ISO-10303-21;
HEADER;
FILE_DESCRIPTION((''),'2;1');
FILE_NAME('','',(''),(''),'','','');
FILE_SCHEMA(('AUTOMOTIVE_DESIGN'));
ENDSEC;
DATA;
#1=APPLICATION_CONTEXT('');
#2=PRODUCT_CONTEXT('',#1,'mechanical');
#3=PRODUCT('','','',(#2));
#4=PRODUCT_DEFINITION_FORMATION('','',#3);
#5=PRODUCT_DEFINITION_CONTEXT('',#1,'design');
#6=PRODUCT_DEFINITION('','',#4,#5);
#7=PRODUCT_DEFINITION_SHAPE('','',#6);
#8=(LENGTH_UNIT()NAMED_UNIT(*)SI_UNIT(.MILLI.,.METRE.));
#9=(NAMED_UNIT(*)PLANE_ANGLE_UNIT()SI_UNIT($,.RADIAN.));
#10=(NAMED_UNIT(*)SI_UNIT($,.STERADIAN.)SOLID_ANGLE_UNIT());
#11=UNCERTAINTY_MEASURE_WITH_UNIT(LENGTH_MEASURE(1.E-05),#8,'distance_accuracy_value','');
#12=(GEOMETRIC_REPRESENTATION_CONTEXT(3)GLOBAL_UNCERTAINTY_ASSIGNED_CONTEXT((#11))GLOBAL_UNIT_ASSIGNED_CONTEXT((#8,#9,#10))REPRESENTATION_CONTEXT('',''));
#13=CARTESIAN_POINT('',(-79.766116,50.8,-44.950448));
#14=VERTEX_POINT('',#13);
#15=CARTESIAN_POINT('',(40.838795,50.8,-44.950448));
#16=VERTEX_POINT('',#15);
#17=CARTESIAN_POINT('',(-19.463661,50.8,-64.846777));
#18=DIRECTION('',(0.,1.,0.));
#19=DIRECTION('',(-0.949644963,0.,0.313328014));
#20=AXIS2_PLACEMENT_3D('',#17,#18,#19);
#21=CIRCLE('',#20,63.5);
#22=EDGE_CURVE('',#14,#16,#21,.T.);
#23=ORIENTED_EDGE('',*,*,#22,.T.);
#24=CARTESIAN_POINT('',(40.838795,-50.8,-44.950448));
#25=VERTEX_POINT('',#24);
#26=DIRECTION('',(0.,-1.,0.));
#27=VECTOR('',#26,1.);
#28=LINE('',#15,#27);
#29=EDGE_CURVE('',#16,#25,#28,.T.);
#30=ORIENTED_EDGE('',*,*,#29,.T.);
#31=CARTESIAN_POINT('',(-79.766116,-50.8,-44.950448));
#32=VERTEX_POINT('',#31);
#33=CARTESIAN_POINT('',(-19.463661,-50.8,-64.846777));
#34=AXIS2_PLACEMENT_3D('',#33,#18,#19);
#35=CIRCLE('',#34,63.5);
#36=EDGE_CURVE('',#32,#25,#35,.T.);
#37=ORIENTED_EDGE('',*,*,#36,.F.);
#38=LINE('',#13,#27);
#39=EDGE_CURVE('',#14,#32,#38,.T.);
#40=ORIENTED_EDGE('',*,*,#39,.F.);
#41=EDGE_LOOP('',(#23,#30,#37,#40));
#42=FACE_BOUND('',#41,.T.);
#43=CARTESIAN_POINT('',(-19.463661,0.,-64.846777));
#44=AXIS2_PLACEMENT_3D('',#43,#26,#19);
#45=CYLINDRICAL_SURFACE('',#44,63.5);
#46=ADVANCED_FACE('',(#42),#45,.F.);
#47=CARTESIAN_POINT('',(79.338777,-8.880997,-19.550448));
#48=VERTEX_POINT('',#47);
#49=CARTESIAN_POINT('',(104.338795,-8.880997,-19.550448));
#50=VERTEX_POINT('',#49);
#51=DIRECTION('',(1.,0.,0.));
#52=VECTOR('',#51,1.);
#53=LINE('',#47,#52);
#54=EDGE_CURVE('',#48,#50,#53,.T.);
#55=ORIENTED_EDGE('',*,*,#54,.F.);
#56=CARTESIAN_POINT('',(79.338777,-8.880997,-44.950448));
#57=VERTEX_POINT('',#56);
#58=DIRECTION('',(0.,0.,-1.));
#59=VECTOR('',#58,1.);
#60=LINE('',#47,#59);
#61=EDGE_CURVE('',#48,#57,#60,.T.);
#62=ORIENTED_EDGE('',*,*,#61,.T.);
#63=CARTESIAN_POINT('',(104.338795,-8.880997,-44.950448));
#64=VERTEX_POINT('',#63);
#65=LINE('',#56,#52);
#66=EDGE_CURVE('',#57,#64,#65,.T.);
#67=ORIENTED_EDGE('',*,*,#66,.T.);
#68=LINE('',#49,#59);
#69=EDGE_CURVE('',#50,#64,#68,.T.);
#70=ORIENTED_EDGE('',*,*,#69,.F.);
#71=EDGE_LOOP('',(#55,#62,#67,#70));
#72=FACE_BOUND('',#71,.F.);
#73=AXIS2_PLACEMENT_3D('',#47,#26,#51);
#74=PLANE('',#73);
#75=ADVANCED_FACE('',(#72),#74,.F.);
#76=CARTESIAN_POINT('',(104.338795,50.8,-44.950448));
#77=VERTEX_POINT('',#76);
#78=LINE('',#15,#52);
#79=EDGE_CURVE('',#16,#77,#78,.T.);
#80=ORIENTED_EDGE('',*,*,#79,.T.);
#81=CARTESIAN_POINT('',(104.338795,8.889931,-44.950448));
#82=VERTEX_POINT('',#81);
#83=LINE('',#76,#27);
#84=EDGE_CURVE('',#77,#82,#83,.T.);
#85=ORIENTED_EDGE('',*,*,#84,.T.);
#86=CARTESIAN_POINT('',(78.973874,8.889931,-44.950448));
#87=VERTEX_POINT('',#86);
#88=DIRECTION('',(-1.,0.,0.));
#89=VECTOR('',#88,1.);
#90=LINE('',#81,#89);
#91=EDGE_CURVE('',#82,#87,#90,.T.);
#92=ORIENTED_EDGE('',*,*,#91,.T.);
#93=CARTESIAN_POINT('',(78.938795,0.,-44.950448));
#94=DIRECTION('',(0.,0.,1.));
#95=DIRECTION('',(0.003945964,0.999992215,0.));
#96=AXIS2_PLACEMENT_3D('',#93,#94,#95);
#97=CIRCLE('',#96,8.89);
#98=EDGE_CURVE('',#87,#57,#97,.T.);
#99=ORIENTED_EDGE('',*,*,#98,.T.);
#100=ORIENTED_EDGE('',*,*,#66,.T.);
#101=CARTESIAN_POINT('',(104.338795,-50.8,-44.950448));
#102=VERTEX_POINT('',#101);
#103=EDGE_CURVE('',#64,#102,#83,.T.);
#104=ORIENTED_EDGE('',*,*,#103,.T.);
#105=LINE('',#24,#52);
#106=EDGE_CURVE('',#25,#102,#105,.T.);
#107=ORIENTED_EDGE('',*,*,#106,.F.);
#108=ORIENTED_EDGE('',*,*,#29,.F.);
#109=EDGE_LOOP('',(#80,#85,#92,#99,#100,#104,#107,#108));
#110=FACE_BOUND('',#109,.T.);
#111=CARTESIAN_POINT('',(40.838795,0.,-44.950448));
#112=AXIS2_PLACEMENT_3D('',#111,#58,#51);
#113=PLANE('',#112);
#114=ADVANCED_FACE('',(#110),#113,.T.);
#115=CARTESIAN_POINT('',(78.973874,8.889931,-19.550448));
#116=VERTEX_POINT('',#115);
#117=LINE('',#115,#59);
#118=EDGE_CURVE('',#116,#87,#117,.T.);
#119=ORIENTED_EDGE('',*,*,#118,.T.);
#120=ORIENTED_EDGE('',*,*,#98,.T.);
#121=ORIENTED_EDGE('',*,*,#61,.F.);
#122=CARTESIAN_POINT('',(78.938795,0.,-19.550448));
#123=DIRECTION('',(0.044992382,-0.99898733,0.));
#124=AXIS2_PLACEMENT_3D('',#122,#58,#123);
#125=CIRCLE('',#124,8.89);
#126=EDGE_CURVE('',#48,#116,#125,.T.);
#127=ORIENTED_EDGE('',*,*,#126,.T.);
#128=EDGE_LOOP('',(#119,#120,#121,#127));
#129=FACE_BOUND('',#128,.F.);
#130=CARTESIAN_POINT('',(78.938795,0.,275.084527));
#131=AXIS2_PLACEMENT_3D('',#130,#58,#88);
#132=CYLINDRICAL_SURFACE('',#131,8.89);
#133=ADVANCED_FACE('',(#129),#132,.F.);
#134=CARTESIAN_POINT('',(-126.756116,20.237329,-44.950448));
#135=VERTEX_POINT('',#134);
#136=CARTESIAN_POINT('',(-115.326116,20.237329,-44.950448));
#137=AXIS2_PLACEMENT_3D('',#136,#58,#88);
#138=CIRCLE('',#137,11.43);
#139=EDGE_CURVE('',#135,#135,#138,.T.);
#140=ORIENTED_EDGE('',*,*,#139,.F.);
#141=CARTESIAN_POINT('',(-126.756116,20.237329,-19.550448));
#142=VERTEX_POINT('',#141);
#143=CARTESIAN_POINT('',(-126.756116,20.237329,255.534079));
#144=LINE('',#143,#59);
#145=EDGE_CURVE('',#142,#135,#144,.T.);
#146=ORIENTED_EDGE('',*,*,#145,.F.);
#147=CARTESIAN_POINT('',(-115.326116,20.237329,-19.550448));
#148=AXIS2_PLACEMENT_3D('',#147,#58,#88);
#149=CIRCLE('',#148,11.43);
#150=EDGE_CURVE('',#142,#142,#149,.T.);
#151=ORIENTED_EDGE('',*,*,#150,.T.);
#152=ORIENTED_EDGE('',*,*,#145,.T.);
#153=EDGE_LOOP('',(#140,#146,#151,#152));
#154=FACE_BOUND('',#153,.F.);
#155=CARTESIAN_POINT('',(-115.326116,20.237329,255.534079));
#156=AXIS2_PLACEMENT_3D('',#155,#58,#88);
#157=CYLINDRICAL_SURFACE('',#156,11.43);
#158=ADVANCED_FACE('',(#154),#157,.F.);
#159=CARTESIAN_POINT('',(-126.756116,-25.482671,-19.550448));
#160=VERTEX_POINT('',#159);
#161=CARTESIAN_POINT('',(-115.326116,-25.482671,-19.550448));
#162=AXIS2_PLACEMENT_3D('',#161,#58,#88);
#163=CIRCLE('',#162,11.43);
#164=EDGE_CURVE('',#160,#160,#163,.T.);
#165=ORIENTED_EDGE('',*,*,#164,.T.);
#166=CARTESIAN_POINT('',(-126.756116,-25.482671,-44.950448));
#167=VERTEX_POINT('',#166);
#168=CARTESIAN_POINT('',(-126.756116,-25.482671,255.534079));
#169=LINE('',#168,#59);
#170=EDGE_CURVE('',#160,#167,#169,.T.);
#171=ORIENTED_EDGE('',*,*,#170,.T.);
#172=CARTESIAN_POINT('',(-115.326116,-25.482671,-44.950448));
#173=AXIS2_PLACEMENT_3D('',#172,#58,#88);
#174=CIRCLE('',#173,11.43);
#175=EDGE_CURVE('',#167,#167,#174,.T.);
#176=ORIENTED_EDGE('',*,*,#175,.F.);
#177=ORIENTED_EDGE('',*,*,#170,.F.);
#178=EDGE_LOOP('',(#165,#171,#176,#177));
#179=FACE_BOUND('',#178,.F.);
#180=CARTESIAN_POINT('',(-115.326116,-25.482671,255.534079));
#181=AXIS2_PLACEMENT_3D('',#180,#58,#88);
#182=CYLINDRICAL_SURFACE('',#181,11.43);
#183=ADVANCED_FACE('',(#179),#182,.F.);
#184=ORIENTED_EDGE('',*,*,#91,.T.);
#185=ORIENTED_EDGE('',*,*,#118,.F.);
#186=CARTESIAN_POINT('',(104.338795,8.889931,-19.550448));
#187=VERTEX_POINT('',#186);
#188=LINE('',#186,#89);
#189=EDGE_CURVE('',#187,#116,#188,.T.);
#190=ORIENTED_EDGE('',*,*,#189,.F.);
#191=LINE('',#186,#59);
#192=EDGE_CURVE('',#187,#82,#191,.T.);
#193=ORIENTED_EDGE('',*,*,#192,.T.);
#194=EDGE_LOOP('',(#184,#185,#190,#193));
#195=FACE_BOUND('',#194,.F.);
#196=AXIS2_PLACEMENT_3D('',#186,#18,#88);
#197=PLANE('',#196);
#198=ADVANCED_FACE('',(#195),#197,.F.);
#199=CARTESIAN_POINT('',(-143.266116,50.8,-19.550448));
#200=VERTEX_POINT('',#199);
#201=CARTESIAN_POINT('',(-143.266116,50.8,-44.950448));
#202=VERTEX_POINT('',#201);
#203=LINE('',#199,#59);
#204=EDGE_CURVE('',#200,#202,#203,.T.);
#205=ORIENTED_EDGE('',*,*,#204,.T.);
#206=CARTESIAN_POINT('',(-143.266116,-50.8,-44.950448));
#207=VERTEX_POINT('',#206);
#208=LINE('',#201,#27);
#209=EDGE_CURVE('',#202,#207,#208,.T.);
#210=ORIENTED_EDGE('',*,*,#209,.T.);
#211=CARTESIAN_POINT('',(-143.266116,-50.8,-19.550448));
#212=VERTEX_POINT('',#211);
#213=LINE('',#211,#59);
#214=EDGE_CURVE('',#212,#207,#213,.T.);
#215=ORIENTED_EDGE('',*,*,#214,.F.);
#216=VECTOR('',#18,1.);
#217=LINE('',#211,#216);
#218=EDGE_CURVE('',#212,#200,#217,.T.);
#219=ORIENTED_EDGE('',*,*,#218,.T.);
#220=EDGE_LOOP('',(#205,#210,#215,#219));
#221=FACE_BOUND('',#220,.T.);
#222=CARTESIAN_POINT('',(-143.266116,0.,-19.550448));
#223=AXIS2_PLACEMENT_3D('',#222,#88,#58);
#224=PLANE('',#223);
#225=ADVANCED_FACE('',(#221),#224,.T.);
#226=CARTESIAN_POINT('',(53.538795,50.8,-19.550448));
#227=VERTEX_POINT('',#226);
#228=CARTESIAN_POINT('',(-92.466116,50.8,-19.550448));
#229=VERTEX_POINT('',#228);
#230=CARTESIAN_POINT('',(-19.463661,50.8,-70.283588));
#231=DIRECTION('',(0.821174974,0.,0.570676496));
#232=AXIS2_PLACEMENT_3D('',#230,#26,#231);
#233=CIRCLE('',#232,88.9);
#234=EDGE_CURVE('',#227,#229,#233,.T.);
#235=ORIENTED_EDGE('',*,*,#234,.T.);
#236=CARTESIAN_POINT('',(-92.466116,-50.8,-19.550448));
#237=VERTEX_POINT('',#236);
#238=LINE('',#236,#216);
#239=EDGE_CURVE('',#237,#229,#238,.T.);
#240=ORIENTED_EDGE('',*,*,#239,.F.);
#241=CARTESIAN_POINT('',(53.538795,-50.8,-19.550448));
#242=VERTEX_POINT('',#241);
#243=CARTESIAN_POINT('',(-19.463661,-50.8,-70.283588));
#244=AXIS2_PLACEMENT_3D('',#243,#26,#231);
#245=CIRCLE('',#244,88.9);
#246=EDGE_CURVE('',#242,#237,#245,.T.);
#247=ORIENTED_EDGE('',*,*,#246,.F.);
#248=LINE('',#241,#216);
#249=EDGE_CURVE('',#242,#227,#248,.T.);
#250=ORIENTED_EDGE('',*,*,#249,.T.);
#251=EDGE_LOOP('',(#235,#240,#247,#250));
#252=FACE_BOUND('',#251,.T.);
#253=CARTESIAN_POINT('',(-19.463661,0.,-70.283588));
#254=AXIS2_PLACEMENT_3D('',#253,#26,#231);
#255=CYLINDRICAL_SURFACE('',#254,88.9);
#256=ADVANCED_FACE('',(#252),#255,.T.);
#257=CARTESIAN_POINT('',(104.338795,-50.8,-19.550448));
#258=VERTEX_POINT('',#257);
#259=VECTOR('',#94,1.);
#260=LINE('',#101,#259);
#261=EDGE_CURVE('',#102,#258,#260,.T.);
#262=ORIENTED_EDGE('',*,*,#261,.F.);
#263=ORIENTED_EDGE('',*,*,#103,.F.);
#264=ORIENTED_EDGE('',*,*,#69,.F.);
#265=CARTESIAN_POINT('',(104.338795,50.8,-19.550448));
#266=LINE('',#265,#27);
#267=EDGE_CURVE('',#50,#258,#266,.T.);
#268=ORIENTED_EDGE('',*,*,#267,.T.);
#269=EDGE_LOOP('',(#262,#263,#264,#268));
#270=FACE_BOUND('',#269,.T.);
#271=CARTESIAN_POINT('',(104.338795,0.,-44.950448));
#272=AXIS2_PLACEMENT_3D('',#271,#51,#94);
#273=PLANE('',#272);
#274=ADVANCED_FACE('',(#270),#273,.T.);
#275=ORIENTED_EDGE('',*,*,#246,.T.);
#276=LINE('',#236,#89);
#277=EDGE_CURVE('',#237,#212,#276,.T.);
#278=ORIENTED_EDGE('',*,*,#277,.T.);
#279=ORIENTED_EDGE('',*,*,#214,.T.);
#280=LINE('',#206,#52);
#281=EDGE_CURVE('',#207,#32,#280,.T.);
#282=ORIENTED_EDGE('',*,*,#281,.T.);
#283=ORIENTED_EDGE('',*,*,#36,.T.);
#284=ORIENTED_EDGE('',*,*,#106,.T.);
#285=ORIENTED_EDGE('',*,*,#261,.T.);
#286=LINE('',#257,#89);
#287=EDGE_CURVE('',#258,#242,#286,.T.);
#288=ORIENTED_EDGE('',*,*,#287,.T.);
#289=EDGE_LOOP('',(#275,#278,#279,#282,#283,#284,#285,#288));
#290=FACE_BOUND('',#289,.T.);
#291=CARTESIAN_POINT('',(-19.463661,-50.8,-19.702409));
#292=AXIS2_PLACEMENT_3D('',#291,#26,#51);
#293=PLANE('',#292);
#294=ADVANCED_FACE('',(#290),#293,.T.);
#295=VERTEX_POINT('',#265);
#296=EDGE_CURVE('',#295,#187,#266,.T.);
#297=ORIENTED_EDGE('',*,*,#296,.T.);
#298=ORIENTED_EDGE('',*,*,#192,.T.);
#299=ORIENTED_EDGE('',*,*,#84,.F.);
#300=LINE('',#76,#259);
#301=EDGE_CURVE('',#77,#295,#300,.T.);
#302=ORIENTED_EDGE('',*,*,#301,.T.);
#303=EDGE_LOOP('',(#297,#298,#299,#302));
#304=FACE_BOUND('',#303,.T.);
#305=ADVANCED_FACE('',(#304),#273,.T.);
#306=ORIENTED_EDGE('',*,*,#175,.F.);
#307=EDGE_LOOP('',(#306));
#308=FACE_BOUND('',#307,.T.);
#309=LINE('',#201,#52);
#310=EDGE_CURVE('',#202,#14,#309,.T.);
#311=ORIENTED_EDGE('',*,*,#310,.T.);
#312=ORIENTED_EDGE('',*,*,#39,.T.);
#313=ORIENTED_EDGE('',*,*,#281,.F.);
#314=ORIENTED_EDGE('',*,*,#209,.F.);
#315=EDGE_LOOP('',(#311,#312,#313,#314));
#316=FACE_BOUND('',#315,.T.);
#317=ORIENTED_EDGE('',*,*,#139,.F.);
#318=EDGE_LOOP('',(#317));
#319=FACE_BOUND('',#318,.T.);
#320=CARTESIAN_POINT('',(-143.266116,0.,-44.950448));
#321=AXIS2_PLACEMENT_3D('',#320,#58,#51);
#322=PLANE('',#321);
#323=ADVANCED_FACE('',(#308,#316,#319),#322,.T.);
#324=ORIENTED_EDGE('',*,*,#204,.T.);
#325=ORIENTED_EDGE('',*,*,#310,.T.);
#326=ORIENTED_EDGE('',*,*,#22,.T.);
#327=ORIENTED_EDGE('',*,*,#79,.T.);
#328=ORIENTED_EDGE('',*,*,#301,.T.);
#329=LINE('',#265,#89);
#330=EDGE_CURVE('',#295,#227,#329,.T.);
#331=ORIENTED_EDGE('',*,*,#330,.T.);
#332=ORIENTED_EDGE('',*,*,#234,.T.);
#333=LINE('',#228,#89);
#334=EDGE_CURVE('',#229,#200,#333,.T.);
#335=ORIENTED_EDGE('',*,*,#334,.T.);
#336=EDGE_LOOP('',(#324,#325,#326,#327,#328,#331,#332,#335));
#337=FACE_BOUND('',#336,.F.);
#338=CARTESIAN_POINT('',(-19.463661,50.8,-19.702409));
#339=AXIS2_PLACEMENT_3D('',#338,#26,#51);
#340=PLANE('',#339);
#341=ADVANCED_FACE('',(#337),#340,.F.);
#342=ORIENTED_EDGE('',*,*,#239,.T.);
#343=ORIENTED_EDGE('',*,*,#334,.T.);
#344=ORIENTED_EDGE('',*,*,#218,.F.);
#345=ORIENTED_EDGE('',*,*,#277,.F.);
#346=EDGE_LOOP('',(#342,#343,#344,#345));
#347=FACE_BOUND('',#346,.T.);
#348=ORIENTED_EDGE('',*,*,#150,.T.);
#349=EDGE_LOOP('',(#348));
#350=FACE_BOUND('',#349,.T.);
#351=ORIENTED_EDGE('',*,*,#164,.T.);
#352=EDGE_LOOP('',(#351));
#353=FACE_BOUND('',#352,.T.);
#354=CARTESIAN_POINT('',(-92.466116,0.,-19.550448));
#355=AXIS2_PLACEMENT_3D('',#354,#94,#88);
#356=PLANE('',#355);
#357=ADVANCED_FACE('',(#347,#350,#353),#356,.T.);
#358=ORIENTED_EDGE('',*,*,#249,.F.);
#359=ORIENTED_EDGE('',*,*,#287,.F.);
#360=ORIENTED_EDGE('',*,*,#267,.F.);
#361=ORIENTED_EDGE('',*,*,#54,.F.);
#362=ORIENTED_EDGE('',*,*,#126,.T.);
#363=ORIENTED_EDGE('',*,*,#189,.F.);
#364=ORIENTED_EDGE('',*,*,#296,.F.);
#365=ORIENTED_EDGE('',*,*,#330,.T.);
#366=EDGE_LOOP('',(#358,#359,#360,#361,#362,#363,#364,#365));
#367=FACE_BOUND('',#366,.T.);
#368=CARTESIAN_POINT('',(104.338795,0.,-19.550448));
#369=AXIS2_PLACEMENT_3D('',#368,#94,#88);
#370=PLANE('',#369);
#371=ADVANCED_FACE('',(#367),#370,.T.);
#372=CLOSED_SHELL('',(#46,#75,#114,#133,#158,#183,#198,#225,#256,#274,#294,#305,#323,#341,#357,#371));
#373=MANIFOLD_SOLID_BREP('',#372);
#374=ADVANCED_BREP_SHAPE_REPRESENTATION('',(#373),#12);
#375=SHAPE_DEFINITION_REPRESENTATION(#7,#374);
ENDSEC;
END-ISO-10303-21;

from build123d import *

# Parameters (mm, degrees)
F1_DEPTH = 50.8
F3_D     = 22.86
F5_D     = 17.78
F7_DEPTH = 25.4


with BuildPart() as f1:
    # F0 (on Front) → F1 (new body, symmetric)
    with BuildSketch(Plane.XZ):
        with BuildLine():
            Line((-143.2661156607, -19.5504479766), (-143.2661156607, -44.9504479766))
            Line((-143.2661156607, -44.9504479766), (-79.7661156607, -44.9504479766))
            ThreePointArc((-79.7661156607, -44.9504479766), (-19.4636605074, -1.3467768462), (40.8387946459, -44.9504479766))
            Line((40.8387946459, -44.9504479766), (104.3387946459, -44.9504479766))
            Line((104.3387946459, -44.9504479766), (104.3387946459, -19.5504479766))
            Line((104.3387946459, -19.5504479766), (53.5387946459, -19.5504479766))
            ThreePointArc((53.5387946459, -19.5504479766), (-19.4636605074, 18.6164115569), (-92.4661156607, -19.5504479766))
            Line((-92.4661156607, -19.5504479766), (-143.2661156607, -19.5504479766))
        make_face()
    extrude(amount=F1_DEPTH, both=True)

    # F3 (through all)
    with Locations(Plane.XY.offset(-19.5504479766)):
        with Locations((-115.3261156607, 20.2373286647), (-115.3261156607, -25.4826713353)):
            Hole(F3_D / 2)

    # F5 (through all)
    with Locations(Plane.XY):
        with Locations((78.9387946459, 0)):
            Hole(F5_D / 2)

    # F6 (on face) → F7 (cut)
    with BuildSketch(Plane.XY.offset(-19.5504479766)):
        with BuildLine():
            ThreePointArc((87.8287946459, 0), (85.3648331771, -6.1431367229), (79.338776919, -8.8809973641))
            Line((79.338776919, -8.8809973641), (104.3387946459, -8.8809973641))
            Line((104.3387946459, -8.8809973641), (104.3387946459, 8.8899307883))
            Line((104.3387946459, 8.8899307883), (78.9738742688, 8.8899307883))
            ThreePointArc((78.9738742688, 8.8899307883), (85.2373642393, 6.273764506), (87.8287946459, 0))
        make_face()
    extrude(amount=-F7_DEPTH, mode=Mode.SUBTRACT)


solid = f1.part
